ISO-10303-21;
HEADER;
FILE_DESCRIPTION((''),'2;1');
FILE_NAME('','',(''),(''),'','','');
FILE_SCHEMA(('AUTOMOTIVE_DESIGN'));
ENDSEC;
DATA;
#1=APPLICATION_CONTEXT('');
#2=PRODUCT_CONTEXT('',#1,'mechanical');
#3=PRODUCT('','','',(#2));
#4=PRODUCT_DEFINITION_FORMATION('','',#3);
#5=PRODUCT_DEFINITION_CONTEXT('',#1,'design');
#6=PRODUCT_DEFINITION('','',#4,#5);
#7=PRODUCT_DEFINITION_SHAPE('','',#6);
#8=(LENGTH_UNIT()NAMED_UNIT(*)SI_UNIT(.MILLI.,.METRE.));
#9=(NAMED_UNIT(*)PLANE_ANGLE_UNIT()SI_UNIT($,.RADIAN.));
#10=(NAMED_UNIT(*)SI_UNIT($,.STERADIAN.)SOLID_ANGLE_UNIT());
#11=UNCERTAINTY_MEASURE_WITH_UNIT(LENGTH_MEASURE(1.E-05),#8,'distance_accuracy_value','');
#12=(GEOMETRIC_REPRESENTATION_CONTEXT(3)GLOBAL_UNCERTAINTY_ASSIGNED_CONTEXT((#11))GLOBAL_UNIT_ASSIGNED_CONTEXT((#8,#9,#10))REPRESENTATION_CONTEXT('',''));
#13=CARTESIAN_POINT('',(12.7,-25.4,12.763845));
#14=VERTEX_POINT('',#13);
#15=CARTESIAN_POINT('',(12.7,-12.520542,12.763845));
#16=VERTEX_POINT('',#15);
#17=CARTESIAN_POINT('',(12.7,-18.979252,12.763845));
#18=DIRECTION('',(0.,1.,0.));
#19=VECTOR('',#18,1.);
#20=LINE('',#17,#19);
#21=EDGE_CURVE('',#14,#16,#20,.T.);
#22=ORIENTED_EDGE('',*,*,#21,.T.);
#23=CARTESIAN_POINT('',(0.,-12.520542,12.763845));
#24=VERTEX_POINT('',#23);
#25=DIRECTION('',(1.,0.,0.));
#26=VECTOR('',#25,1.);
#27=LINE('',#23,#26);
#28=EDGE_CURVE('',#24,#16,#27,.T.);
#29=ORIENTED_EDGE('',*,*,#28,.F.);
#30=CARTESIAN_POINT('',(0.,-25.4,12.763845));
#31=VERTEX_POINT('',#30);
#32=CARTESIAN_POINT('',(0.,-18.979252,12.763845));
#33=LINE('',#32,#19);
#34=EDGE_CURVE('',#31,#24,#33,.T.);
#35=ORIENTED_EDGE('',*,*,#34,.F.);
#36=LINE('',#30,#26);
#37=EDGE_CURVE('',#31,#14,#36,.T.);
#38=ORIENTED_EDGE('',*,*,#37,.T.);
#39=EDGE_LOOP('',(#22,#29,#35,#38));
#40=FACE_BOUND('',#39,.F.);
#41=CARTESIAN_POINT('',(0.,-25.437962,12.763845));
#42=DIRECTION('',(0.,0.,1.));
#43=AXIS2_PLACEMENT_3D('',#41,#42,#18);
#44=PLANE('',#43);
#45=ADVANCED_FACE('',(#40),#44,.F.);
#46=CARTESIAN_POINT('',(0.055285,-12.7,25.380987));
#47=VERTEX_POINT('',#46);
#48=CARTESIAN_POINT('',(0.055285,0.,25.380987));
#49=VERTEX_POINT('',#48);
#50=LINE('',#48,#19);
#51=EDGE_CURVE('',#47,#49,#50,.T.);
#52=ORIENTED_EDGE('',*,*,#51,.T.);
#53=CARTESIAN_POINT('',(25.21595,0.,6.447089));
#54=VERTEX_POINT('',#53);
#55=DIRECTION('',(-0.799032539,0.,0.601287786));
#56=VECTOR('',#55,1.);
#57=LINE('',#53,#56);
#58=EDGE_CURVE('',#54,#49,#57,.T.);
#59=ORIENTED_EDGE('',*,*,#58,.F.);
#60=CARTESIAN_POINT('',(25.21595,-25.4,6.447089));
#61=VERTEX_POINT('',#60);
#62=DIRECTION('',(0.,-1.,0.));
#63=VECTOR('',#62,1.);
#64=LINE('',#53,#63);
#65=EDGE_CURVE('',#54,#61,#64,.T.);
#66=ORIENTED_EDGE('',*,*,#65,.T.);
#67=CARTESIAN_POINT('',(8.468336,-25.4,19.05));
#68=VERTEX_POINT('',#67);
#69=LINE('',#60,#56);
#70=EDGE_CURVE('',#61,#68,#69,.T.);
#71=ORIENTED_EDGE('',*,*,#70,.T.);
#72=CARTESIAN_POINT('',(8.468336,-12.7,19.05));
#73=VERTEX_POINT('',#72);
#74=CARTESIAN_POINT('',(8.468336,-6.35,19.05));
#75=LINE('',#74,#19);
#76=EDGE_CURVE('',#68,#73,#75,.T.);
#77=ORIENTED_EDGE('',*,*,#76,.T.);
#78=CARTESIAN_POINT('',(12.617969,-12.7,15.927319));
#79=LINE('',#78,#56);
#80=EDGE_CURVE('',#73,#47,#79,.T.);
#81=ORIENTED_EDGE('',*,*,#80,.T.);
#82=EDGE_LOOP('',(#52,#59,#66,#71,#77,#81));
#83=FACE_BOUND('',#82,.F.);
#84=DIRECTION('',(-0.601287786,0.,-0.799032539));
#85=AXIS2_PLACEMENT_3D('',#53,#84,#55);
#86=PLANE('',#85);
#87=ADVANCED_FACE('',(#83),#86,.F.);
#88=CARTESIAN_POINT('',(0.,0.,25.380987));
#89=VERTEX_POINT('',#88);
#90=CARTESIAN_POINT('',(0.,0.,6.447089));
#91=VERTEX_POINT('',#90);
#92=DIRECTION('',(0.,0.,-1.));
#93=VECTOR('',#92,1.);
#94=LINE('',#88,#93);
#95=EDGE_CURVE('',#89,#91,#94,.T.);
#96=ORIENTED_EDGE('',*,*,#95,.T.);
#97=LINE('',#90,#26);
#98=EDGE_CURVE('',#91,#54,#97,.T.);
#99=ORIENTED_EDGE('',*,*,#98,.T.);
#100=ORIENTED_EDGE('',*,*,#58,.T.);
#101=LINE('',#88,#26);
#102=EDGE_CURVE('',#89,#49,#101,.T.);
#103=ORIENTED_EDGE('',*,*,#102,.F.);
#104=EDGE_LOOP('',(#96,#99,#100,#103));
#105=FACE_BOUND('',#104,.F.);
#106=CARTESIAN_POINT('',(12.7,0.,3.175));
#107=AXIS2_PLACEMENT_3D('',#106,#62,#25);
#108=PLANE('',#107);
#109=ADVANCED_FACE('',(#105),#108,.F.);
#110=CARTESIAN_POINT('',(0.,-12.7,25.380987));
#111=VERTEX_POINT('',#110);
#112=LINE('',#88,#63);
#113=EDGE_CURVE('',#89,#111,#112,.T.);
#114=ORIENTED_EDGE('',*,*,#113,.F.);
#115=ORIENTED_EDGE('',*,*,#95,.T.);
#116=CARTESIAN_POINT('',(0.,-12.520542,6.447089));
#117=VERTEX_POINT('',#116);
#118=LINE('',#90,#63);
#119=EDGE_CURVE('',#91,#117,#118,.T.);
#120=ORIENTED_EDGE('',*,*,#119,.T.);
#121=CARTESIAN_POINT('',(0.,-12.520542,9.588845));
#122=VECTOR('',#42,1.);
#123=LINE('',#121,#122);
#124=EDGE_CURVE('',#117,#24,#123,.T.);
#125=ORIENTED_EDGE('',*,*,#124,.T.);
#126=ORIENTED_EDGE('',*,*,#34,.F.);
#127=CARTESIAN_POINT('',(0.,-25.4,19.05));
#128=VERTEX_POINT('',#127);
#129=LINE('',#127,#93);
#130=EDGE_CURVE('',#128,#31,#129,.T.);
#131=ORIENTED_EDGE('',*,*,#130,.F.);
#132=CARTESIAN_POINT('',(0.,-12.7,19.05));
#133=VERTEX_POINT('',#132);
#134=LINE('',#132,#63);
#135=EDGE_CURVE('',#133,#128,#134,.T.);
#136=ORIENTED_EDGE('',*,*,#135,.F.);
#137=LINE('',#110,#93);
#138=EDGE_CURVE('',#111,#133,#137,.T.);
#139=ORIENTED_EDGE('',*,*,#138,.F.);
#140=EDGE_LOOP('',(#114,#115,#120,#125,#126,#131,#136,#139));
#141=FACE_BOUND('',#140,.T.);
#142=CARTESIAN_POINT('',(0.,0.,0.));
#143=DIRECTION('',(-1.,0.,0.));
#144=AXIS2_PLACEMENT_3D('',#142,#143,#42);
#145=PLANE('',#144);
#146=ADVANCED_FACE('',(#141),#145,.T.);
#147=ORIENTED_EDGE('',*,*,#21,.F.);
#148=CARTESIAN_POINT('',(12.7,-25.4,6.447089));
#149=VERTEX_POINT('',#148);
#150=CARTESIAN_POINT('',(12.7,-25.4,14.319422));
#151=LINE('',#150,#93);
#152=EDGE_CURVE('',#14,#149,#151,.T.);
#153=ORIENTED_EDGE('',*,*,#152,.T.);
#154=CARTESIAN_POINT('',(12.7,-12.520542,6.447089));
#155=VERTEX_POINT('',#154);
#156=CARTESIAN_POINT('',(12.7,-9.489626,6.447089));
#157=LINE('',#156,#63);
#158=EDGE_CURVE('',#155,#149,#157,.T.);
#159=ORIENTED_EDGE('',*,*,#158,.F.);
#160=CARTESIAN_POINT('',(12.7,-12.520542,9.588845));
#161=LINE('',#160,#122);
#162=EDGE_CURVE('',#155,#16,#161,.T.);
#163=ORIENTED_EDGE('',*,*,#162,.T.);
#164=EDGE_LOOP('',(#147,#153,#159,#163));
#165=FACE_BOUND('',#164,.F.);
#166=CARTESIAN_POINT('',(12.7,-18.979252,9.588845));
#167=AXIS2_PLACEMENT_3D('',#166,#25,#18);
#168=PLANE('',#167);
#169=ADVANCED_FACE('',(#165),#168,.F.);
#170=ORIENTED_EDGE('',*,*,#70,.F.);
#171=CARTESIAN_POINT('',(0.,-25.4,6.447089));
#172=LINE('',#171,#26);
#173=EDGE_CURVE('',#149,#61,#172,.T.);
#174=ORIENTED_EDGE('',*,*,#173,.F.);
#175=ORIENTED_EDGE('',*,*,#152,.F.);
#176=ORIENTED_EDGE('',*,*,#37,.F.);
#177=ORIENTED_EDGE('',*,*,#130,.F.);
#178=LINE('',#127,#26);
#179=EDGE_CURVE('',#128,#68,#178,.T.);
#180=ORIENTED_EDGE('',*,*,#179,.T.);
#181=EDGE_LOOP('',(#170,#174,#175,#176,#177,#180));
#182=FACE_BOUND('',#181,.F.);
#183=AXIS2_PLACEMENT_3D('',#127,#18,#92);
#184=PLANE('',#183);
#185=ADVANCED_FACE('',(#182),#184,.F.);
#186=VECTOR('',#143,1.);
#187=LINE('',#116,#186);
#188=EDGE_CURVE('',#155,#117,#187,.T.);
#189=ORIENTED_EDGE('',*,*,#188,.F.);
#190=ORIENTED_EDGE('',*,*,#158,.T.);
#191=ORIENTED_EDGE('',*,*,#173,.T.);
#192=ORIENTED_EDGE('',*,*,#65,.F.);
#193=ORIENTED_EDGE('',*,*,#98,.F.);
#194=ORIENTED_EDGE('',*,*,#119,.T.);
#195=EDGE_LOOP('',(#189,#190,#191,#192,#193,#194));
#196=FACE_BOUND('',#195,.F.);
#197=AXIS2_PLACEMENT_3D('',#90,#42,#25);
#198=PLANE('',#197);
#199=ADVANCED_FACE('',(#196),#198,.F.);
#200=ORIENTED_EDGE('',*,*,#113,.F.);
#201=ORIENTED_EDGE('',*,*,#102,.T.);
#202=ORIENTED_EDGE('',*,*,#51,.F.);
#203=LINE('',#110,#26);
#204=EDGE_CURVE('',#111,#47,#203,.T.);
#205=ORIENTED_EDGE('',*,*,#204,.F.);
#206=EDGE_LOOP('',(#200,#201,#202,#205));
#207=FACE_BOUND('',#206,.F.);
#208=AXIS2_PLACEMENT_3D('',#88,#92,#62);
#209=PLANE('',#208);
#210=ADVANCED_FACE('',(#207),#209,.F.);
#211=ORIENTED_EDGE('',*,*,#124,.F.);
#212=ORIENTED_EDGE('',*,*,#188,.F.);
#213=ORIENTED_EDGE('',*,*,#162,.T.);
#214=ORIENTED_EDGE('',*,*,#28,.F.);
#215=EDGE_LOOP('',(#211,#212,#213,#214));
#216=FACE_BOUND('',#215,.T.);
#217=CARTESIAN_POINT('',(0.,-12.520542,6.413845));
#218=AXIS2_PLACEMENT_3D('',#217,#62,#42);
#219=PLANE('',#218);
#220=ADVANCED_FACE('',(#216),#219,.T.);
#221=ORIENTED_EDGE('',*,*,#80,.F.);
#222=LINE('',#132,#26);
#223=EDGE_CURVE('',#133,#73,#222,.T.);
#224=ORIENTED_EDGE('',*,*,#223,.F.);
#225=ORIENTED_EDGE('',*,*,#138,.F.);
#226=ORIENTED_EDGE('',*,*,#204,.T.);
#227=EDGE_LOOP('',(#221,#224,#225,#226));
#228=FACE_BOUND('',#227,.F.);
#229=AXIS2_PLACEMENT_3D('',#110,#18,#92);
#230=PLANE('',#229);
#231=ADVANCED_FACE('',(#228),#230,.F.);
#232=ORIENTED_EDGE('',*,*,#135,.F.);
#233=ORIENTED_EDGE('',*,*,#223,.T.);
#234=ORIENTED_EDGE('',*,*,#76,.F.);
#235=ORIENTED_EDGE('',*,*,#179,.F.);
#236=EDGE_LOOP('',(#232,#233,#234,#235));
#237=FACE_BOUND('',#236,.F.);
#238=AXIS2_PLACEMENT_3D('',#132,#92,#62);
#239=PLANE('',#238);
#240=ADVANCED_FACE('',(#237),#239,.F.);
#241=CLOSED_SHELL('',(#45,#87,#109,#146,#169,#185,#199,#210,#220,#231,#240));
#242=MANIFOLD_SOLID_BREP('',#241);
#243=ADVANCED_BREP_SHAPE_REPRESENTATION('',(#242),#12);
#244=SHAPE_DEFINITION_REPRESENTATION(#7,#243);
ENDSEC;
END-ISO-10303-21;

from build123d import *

# Parameters (mm, degrees)
F0_W     = 25.4
F0_H     = 6.35
F1_DEPTH = 38.1
F3_DEPTH = 25.4
F4_W     = 12.91742
F4_H     = 6.35
F5_DEPTH = 12.7
F7_DEPTH = 25.4


with BuildPart() as f1:
    # F0 (on Front) → F1 (new body)
    with BuildSketch(Plane.XZ):
        with Locations((12.7, 3.175)):
            Rectangle(F0_W, F0_H)
    extrude(amount=F1_DEPTH)

    # F2 (on Right) → F3 (join)
    with BuildSketch(Plane.YZ):
        Polygon((0, 6.330987), (0, 25.380987), (-12.7, 25.380987), (-12.7, 19.05), (-25.4, 19.05), (-25.4, 6.330987), (-12.7, 6.330987), align=None)
    extrude(amount=F3_DEPTH)

    # F4 (on Right) → F5 (cut)
    with BuildSketch(Plane.YZ):
        with Locations((-18.979252, 9.588845)):
            Rectangle(F4_W, F4_H)
    extrude(amount=F5_DEPTH, mode=Mode.SUBTRACT)

    # F6 (on Front) → F7 (intersect)
    with BuildSketch(Plane.XZ):
        Polygon((25.21595, 6.447089), (0, 25.42259), (0, 6.447089), align=None)
    extrude(amount=F7_DEPTH, mode=Mode.INTERSECT)


solid = f1.part
